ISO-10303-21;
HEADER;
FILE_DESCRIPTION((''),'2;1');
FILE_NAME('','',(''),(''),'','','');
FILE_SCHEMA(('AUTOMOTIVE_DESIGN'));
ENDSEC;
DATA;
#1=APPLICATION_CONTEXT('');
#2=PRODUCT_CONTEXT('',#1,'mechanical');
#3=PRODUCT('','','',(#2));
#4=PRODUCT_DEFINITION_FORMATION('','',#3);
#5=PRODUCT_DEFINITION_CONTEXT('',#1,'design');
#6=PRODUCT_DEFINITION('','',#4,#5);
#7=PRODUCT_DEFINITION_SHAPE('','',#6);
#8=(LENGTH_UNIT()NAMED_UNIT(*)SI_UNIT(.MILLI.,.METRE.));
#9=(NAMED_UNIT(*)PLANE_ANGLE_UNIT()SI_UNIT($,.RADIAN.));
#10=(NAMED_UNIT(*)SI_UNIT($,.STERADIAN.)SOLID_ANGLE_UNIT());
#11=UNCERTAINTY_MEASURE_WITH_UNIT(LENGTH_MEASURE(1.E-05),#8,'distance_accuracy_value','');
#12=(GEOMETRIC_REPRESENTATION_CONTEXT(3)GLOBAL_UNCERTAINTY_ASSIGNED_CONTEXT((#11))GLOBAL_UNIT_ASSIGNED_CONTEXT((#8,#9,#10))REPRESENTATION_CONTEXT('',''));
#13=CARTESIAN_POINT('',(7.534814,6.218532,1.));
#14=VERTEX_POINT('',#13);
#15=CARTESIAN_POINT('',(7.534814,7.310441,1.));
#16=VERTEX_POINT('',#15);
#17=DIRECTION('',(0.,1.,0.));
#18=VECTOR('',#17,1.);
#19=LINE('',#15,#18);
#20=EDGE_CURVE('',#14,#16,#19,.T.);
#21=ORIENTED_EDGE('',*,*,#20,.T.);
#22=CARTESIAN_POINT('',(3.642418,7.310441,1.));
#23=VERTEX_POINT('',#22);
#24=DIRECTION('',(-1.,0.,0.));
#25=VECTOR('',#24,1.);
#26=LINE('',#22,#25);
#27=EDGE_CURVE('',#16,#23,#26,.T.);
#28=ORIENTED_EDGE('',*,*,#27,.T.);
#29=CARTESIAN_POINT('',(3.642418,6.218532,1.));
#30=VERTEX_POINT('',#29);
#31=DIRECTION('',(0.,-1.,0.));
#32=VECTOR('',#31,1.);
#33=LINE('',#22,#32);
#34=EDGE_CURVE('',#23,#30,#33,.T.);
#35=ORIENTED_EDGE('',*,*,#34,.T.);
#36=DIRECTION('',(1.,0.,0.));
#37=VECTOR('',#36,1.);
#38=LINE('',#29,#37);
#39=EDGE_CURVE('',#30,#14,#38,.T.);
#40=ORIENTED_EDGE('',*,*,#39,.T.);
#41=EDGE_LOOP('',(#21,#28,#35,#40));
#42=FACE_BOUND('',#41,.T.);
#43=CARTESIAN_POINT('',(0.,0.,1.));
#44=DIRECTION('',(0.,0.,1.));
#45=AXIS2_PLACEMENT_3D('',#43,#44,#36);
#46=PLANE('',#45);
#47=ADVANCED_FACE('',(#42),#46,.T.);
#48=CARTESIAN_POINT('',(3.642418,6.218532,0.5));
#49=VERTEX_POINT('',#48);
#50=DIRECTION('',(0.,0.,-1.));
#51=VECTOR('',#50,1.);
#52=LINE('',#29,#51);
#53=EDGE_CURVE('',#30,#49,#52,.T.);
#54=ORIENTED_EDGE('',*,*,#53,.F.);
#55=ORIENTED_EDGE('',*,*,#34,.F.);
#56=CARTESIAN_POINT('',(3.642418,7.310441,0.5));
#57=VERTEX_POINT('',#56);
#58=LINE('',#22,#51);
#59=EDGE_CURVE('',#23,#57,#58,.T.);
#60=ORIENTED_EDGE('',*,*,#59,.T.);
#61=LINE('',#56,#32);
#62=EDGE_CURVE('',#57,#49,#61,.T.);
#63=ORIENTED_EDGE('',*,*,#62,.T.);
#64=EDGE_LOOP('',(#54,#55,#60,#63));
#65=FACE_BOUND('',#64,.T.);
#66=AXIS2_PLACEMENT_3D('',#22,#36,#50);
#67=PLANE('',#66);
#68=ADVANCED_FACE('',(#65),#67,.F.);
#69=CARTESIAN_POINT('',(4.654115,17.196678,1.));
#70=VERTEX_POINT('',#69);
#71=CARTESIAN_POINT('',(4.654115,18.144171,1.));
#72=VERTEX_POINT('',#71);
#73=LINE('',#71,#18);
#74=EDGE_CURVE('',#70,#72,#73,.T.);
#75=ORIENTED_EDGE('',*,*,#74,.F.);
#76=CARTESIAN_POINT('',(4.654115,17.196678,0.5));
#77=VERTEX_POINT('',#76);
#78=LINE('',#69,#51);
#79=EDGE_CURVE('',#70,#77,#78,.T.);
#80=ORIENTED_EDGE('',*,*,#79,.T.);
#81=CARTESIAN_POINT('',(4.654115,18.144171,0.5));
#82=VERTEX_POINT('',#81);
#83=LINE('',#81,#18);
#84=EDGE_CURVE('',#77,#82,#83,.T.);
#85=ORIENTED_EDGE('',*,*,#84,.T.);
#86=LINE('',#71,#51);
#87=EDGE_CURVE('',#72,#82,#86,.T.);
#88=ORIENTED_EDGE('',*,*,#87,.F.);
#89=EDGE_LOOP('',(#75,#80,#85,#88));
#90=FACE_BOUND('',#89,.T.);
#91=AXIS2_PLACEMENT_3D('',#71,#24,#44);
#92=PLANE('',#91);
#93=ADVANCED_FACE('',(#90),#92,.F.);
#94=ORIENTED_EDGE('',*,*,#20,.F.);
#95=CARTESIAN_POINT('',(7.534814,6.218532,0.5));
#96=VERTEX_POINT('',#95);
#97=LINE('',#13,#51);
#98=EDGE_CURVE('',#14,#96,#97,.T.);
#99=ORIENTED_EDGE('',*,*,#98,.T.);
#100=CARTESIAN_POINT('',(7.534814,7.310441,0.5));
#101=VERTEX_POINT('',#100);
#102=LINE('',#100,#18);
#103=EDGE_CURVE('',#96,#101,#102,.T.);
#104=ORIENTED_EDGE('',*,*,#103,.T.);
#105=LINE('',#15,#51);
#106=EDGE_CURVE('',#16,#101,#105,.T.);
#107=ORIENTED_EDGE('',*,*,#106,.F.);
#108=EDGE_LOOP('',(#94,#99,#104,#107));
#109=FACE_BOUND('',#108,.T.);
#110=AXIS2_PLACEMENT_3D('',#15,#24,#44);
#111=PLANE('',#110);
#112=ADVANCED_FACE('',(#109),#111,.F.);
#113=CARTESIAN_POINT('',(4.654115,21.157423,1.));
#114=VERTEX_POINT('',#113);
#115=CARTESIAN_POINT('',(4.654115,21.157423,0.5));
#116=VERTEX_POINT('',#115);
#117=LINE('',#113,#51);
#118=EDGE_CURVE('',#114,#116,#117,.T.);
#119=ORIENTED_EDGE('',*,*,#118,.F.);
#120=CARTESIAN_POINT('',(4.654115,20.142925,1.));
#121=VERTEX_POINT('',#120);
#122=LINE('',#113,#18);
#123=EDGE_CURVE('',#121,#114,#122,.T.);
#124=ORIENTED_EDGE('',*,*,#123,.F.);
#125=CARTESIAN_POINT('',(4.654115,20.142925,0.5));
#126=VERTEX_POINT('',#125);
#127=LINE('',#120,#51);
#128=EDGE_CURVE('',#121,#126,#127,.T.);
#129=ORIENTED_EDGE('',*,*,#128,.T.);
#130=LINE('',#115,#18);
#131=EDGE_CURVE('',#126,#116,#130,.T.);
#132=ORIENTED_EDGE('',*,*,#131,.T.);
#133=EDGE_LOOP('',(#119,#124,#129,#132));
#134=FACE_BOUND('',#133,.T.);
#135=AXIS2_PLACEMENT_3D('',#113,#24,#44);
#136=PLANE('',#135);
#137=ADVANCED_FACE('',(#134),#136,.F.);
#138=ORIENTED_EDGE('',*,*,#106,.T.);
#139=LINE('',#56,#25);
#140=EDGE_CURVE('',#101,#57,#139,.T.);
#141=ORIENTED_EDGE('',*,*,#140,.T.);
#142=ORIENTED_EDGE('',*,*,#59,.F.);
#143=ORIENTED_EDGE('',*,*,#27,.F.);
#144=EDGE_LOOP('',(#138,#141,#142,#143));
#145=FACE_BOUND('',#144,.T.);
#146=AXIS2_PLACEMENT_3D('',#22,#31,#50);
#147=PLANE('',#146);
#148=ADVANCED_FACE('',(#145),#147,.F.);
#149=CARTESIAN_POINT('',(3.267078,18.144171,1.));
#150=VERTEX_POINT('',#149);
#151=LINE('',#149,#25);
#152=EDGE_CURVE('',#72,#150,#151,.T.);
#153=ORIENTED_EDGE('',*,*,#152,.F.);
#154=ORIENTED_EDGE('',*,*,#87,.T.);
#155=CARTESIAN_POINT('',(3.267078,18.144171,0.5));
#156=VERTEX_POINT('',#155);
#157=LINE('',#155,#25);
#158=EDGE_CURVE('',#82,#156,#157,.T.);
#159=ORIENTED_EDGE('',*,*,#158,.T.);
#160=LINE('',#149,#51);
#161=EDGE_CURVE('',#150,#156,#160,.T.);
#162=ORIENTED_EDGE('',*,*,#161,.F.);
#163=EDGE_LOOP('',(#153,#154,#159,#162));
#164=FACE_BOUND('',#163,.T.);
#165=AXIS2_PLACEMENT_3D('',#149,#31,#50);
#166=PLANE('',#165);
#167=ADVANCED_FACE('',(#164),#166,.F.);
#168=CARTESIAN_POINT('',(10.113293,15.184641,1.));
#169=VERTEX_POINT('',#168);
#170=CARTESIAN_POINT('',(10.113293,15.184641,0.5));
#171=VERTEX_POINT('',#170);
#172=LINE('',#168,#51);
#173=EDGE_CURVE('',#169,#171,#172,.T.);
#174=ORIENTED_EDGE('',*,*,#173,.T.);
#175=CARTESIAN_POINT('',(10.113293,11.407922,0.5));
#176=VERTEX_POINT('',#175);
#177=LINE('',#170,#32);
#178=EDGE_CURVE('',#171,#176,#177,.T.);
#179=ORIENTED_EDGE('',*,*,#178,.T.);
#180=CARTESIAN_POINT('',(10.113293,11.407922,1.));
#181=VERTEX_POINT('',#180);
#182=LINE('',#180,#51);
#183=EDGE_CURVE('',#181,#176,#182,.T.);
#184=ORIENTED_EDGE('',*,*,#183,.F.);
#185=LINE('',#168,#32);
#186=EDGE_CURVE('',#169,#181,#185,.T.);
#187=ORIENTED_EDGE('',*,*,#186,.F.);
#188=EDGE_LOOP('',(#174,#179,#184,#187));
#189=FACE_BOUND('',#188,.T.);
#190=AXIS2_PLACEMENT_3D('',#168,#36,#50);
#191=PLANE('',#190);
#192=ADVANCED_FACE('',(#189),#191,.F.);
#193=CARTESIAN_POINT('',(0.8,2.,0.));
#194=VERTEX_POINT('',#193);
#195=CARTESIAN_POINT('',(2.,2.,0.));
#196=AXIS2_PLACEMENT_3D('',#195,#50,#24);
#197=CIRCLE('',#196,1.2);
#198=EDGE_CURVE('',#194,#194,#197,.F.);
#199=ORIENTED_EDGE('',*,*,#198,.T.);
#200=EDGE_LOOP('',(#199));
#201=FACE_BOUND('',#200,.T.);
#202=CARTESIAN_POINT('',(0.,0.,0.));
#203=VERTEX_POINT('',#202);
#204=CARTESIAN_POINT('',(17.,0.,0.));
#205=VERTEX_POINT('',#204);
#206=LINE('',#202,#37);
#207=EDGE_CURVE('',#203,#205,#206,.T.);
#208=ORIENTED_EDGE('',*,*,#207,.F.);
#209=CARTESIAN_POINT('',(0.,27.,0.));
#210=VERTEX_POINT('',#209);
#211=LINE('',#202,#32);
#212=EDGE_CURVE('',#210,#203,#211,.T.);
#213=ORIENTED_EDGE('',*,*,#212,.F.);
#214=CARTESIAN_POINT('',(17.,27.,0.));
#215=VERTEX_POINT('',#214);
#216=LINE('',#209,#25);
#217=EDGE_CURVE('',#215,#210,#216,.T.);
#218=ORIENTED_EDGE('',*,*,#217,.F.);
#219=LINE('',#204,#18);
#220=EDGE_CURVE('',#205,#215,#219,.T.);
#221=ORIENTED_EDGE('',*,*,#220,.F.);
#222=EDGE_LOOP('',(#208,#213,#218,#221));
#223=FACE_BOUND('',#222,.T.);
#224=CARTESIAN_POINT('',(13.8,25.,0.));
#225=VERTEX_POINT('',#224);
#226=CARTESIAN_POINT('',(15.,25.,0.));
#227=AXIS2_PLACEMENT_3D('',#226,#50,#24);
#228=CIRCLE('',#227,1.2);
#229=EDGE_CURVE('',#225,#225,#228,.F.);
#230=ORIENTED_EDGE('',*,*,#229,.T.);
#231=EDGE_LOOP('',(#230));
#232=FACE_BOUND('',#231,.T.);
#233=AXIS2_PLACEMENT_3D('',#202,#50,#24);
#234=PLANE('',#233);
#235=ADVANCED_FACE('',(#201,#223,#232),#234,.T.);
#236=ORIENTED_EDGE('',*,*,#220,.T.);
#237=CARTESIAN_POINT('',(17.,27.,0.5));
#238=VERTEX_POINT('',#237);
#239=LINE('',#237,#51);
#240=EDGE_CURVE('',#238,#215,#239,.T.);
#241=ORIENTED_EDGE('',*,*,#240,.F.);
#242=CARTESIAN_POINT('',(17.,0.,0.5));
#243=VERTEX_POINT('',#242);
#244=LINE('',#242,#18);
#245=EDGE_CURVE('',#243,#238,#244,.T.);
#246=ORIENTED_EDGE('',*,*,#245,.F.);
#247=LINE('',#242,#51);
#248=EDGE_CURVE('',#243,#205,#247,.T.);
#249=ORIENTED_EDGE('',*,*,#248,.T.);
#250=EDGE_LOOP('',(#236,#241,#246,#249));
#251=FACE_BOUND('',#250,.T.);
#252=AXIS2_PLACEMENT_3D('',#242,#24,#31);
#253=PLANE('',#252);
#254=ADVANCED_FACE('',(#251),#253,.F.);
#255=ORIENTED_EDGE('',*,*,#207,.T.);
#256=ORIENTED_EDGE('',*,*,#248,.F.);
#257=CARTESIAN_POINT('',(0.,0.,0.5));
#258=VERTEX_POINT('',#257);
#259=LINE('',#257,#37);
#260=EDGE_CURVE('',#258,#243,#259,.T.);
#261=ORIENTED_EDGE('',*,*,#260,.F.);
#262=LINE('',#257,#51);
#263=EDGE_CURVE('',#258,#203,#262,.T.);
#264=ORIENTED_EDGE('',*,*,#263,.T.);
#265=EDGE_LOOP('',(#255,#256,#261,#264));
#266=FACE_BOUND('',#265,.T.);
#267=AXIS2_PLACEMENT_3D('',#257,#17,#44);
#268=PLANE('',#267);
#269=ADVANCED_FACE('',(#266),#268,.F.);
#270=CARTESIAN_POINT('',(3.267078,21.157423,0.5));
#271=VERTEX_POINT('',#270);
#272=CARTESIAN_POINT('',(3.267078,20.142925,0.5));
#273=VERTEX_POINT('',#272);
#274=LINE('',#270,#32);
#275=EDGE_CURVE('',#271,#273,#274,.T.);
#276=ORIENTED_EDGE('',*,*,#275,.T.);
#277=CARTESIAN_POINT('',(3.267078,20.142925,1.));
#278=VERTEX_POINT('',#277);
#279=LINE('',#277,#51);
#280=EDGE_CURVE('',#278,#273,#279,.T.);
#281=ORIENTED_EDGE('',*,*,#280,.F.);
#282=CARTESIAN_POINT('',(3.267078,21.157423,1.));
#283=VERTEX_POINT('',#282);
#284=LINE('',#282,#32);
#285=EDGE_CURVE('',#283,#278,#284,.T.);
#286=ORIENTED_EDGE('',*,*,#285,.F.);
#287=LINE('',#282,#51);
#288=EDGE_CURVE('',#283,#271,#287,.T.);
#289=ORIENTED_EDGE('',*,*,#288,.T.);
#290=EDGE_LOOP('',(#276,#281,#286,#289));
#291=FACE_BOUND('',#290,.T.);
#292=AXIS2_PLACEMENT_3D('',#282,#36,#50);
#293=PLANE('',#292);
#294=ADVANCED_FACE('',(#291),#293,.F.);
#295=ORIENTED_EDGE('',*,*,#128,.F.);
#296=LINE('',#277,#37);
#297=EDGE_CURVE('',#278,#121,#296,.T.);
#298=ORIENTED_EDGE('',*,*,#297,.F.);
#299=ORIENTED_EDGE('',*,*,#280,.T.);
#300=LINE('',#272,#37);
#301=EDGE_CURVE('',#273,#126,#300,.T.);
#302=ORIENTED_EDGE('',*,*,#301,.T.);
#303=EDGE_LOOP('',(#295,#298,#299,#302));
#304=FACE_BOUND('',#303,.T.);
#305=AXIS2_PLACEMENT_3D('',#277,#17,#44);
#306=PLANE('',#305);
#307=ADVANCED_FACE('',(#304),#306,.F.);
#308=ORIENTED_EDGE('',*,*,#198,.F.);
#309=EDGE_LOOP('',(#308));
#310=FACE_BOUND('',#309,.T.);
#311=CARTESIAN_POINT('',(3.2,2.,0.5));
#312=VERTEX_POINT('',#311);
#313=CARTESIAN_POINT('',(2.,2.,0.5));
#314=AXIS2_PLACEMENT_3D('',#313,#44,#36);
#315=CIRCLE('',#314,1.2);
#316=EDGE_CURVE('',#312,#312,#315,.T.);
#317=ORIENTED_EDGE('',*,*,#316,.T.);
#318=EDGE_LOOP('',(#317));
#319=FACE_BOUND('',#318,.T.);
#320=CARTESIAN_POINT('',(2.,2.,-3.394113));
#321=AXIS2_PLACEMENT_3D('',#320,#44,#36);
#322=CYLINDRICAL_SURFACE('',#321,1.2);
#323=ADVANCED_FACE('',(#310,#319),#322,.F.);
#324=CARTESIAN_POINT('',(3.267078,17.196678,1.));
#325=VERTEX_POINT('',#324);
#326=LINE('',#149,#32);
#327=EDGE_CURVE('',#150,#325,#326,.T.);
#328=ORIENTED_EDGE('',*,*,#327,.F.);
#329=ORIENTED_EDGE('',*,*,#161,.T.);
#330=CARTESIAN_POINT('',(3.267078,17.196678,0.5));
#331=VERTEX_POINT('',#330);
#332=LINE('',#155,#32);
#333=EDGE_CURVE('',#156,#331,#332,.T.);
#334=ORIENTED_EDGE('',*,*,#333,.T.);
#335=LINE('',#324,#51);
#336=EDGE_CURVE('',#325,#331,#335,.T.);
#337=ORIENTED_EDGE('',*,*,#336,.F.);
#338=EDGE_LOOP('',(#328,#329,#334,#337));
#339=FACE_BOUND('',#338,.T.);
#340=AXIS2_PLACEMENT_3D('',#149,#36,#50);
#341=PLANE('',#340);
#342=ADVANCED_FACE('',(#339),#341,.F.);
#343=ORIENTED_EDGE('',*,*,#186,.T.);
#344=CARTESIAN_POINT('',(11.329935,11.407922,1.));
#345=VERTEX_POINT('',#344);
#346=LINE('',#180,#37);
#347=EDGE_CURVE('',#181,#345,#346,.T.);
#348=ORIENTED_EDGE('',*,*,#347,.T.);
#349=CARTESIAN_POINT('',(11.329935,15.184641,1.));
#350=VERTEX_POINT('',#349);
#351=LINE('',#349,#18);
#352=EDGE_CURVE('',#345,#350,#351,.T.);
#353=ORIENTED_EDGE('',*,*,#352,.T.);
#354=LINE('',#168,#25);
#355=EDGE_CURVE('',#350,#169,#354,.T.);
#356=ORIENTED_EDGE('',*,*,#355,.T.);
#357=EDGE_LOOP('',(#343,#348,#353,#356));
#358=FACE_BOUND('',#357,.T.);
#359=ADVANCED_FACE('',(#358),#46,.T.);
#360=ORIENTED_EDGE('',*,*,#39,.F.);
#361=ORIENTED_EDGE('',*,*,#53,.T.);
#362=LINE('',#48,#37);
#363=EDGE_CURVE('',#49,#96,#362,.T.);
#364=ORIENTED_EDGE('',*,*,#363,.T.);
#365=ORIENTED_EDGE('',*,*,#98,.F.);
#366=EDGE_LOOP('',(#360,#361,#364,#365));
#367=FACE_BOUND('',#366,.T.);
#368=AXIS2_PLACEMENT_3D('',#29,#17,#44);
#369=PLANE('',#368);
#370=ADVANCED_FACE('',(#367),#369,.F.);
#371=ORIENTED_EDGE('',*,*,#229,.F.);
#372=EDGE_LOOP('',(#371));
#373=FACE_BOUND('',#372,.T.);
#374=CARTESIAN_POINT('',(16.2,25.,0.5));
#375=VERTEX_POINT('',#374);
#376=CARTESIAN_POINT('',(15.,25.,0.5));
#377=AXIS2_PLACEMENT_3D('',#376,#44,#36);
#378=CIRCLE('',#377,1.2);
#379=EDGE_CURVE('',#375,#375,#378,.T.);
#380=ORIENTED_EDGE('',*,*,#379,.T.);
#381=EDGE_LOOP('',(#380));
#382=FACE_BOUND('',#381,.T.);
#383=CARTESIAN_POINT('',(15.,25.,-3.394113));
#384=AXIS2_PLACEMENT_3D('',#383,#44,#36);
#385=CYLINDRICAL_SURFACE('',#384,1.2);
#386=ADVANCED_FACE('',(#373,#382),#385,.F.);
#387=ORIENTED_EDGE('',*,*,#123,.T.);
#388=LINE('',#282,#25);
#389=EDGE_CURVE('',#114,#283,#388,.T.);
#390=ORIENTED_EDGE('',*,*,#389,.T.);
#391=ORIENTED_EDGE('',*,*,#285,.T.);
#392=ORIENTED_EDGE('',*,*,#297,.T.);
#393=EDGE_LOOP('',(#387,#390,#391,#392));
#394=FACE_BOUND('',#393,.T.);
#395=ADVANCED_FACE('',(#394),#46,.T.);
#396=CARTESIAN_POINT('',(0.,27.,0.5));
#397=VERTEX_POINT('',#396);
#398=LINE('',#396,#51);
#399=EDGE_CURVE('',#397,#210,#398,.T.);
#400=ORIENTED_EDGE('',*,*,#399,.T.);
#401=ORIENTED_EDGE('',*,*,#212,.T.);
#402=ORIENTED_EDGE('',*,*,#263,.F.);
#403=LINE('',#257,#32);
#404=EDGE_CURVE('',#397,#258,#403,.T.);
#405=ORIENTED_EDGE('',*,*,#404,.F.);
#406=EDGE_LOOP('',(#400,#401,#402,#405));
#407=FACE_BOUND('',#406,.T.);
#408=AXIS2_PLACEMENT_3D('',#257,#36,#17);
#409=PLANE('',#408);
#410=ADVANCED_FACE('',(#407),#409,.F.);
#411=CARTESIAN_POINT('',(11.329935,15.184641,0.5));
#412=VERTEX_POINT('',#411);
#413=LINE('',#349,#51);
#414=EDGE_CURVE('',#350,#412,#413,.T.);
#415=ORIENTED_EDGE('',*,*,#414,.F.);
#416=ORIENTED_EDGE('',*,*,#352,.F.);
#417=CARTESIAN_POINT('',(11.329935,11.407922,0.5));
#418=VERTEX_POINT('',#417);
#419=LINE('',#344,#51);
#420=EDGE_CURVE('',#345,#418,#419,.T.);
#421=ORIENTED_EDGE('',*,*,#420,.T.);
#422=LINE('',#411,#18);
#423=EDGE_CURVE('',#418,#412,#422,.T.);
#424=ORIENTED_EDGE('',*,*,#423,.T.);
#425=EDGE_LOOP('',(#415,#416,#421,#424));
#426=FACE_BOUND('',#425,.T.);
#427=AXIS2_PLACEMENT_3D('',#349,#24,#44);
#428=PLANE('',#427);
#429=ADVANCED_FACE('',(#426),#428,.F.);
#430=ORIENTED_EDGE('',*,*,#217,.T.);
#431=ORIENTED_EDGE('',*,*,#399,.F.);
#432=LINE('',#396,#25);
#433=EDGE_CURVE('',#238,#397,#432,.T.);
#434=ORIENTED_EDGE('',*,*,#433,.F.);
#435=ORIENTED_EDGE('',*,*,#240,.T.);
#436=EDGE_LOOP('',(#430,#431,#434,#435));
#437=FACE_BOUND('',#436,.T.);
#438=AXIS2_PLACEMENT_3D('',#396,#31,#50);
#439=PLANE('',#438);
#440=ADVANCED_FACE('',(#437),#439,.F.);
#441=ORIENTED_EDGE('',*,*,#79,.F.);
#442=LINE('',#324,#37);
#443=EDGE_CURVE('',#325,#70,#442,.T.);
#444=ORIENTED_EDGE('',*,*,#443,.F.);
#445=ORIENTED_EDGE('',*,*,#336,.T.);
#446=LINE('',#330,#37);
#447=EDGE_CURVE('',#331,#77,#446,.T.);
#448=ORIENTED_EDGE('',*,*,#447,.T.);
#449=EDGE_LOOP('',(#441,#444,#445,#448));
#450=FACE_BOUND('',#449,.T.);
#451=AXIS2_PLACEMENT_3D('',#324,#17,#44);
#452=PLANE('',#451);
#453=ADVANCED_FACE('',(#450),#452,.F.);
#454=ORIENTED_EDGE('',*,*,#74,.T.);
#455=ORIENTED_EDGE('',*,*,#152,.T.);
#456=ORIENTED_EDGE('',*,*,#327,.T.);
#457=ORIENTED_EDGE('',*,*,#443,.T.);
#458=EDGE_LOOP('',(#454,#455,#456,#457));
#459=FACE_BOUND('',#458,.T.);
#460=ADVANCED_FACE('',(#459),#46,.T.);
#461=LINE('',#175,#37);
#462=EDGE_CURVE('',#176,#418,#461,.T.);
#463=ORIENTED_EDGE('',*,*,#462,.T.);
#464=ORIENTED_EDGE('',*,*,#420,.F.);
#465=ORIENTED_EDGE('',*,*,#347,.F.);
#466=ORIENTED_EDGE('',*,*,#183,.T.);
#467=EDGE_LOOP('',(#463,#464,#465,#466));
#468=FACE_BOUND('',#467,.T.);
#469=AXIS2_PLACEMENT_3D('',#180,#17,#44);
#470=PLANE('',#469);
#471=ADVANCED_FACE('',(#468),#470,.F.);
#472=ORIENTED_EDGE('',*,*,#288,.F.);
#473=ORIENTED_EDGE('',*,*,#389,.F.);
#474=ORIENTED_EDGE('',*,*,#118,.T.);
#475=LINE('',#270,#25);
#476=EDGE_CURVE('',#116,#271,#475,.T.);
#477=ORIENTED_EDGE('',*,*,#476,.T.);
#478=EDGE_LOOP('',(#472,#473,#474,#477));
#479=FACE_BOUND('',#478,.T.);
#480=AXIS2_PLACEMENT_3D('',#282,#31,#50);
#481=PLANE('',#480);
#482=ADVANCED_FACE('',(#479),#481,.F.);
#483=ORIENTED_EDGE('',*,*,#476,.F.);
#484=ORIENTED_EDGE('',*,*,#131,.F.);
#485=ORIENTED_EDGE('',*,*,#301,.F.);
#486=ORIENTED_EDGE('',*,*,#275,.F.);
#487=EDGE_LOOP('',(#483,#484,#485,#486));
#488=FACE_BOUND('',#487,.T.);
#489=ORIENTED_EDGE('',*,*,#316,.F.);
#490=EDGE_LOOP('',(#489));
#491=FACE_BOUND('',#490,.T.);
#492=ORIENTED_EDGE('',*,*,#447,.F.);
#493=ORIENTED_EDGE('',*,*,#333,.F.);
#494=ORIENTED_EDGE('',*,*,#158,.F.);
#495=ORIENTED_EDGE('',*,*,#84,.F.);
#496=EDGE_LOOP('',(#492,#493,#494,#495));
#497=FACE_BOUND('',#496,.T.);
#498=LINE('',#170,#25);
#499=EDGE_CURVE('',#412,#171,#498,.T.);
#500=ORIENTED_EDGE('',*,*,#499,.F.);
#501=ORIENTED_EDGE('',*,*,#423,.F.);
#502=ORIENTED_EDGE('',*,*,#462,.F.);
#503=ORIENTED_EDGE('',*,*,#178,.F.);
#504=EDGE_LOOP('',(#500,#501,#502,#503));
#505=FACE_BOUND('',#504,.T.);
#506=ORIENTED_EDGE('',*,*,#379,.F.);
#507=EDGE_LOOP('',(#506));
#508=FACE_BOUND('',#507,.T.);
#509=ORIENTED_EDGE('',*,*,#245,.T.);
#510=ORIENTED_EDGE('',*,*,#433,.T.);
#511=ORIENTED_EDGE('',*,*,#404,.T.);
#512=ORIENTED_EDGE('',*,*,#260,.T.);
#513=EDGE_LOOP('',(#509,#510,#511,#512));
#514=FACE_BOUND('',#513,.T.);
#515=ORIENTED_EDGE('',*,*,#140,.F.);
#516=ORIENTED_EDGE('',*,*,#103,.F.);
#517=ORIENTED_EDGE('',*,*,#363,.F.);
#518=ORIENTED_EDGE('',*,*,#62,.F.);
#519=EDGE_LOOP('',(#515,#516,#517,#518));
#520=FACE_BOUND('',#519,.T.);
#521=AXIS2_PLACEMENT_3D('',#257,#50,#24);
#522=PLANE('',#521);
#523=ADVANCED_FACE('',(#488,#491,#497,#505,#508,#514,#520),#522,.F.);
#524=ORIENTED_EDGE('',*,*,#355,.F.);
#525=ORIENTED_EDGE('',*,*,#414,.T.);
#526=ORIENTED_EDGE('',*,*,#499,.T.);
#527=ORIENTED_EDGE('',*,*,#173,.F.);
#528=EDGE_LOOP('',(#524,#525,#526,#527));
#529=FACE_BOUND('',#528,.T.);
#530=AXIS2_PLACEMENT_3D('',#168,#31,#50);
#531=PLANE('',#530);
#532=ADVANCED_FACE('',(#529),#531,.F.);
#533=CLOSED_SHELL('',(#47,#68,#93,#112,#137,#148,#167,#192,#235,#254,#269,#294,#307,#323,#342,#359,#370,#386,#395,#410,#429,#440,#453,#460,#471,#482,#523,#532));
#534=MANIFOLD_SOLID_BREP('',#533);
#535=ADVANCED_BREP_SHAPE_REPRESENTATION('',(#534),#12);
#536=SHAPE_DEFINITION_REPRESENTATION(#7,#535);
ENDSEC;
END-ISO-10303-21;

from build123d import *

# Parameters (mm, degrees)
CROQUIS1_W              = 17
CROQUIS1_H              = 27
SALIENTE_EXTRUIR1_DEPTH = 0.5
CROQUIS2_R              = 1.2
CORTAR_EXTRUIR1_DEPTH   = 0.5
CROQUIS3_W              = 1.387036679
CROQUIS3_H              = 1.014497707
CROQUIS3_H_2            = 0.94749306
CROQUIS3_W_2            = 1.216641307
CROQUIS3_H_3            = 3.776719189
CROQUIS3_W_3            = 3.892395648
CROQUIS3_H_4            = 1.091909055
SALIENTE_EXTRUIR2_DEPTH = 0.5


with BuildPart() as part:
    # Croquis1 → Saliente-Extruir1 (new body)
    with BuildSketch(Plane.XY):
        with Locations((8.5, 13.5)):
            Rectangle(CROQUIS1_W, CROQUIS1_H)
    extrude(amount=SALIENTE_EXTRUIR1_DEPTH)

    # Croquis2 → Cortar-Extruir1 (cut)
    with BuildSketch(Plane.XY.offset(0.5)):
        with Locations((2, 2)):
            Circle(CROQUIS2_R)
        with Locations((15, 25)):
            Circle(CROQUIS2_R)
    extrude(amount=-CORTAR_EXTRUIR1_DEPTH, mode=Mode.SUBTRACT)

    # Croquis3 → Saliente-Extruir2 (add)
    with BuildSketch(Plane.XY.offset(0.5)):
        with Locations((3.960596796, 20.650173654)):
            Rectangle(CROQUIS3_W, CROQUIS3_H)
        with Locations((3.960596796, 17.670424265)):
            Rectangle(CROQUIS3_W, CROQUIS3_H_2)
        with Locations((10.721614084, 13.296281172)):
            Rectangle(CROQUIS3_W_2, CROQUIS3_H_3)
        with Locations((5.588615761, 6.764486289)):
            Rectangle(CROQUIS3_W_3, CROQUIS3_H_4)
    extrude(amount=SALIENTE_EXTRUIR2_DEPTH)


solid = part.part
